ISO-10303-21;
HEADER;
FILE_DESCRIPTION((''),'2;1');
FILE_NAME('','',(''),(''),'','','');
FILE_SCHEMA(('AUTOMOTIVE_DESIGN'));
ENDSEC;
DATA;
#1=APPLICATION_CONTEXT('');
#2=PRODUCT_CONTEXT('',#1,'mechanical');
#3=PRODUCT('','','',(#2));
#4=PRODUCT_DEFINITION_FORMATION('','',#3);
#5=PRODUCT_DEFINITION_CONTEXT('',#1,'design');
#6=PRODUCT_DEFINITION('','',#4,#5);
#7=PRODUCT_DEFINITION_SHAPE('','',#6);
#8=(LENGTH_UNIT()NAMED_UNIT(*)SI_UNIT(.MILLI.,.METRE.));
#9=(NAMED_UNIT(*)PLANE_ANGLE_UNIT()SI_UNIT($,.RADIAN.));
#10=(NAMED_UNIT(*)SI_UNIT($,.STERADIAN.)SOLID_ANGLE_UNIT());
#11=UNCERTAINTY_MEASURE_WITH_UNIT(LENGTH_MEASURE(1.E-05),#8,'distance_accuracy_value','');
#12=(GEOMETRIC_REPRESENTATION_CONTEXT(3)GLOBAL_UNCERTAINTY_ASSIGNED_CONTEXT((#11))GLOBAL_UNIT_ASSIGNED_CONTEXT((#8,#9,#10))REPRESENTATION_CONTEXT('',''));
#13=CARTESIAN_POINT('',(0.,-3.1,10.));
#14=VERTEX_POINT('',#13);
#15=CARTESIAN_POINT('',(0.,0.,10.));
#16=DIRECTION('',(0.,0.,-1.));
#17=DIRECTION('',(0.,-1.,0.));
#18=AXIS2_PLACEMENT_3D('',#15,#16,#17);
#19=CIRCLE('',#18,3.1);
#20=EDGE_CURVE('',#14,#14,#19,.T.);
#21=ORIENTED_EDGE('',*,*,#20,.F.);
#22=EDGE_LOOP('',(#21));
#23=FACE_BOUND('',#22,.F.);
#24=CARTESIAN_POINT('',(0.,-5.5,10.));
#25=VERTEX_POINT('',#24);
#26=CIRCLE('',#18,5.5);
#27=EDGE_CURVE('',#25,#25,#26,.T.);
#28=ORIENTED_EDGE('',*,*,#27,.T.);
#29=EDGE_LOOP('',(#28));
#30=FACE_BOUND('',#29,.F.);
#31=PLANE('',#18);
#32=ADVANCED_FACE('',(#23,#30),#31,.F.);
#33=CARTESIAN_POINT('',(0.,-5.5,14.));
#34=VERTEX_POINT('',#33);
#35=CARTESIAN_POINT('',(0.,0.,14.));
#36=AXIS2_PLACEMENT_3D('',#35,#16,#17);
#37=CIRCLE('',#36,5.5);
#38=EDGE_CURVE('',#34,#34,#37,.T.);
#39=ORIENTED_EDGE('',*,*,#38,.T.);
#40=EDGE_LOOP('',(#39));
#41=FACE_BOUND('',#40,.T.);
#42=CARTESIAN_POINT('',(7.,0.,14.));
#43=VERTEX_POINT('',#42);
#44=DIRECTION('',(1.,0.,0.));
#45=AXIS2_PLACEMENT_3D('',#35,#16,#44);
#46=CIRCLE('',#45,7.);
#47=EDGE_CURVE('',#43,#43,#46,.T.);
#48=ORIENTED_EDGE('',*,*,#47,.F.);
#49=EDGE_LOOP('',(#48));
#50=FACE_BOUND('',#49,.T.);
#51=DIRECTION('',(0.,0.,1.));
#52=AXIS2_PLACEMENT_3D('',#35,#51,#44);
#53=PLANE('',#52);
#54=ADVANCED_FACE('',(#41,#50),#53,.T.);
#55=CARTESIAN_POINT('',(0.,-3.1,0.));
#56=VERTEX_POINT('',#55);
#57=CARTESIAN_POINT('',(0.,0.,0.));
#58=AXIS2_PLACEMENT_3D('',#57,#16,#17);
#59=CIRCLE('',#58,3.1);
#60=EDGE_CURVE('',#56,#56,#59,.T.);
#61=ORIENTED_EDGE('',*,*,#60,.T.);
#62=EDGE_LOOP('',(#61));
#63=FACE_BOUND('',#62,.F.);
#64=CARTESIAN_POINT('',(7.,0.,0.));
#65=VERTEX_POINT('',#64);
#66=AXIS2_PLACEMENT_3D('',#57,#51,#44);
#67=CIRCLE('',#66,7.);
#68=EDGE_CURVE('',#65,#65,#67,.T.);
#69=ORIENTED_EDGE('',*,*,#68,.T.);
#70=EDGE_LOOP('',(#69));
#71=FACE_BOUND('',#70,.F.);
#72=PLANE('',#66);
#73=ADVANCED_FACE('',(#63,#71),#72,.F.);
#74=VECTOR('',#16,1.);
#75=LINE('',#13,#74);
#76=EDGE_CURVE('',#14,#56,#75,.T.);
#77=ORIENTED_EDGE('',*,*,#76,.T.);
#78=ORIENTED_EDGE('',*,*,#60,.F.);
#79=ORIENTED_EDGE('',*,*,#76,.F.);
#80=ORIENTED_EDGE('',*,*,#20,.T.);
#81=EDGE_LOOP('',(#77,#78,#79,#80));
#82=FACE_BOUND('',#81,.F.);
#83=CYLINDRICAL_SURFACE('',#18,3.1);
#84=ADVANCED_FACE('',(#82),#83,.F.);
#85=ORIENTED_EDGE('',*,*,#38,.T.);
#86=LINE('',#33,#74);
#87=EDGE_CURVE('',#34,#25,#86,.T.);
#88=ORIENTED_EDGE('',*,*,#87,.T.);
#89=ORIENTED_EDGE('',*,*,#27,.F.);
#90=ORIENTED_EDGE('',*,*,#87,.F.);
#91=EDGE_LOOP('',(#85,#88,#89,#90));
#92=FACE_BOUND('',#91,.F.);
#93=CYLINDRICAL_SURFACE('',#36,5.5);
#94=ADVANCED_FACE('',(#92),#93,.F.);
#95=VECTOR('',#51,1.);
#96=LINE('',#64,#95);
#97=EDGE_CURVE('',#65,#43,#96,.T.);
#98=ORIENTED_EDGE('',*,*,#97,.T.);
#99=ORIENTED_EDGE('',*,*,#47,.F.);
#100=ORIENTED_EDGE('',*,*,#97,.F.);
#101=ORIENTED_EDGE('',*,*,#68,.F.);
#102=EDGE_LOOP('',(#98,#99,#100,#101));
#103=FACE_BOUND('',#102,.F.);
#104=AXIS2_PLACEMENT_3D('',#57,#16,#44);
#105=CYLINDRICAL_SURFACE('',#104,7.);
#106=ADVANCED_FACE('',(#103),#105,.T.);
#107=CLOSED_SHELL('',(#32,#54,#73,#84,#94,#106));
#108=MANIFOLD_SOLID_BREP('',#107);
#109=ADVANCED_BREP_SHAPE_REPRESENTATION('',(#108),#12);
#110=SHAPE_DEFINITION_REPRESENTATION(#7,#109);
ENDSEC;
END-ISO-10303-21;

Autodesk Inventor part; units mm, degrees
ref_plane "YZ Plane" through (0, 0, 0) normal (1, 0, 0) x (0, 1, 0)
ref_plane "XZ Plane" through (0, 0, 0) normal (0, 1, 0) x (-1, 0, 0)
ref_plane "XY Plane" through (0, 0, 0) normal (0, 0, 1) x (1, 0, 0)
sketch "Náčrt1" plane through (0, 0, 0) normal (0, 0, 1) x (1, 0, 0)
  line L0 (-9.8, 0) -> (9.8, 0) projected
  line L1 (0, -9.8) -> (0, 9.8) projected
  circle A0 centre (0, 0) radius 7
  dimension "d9" = 14
extrude "Vysunutí1" add sketch "Náčrt1" along normal blind 14
sketch "Náčrt2" plane through (0, 0, 14) normal (0, 0, 1) x (1, 0, 0)
  circle A0 centre (0, 0) radius 7 projected
hole "Díra1" at (0, 0, 14) direction (0, 0, -1) diameter 6.2 end through all counterbore diameter 11 counterbore depth 4 clearance for "Strojní šroub se zápustnou hlavou" size "M6" standard "Ansi M metrický profil"
properties part number "sroub_dira_3D tisk"
